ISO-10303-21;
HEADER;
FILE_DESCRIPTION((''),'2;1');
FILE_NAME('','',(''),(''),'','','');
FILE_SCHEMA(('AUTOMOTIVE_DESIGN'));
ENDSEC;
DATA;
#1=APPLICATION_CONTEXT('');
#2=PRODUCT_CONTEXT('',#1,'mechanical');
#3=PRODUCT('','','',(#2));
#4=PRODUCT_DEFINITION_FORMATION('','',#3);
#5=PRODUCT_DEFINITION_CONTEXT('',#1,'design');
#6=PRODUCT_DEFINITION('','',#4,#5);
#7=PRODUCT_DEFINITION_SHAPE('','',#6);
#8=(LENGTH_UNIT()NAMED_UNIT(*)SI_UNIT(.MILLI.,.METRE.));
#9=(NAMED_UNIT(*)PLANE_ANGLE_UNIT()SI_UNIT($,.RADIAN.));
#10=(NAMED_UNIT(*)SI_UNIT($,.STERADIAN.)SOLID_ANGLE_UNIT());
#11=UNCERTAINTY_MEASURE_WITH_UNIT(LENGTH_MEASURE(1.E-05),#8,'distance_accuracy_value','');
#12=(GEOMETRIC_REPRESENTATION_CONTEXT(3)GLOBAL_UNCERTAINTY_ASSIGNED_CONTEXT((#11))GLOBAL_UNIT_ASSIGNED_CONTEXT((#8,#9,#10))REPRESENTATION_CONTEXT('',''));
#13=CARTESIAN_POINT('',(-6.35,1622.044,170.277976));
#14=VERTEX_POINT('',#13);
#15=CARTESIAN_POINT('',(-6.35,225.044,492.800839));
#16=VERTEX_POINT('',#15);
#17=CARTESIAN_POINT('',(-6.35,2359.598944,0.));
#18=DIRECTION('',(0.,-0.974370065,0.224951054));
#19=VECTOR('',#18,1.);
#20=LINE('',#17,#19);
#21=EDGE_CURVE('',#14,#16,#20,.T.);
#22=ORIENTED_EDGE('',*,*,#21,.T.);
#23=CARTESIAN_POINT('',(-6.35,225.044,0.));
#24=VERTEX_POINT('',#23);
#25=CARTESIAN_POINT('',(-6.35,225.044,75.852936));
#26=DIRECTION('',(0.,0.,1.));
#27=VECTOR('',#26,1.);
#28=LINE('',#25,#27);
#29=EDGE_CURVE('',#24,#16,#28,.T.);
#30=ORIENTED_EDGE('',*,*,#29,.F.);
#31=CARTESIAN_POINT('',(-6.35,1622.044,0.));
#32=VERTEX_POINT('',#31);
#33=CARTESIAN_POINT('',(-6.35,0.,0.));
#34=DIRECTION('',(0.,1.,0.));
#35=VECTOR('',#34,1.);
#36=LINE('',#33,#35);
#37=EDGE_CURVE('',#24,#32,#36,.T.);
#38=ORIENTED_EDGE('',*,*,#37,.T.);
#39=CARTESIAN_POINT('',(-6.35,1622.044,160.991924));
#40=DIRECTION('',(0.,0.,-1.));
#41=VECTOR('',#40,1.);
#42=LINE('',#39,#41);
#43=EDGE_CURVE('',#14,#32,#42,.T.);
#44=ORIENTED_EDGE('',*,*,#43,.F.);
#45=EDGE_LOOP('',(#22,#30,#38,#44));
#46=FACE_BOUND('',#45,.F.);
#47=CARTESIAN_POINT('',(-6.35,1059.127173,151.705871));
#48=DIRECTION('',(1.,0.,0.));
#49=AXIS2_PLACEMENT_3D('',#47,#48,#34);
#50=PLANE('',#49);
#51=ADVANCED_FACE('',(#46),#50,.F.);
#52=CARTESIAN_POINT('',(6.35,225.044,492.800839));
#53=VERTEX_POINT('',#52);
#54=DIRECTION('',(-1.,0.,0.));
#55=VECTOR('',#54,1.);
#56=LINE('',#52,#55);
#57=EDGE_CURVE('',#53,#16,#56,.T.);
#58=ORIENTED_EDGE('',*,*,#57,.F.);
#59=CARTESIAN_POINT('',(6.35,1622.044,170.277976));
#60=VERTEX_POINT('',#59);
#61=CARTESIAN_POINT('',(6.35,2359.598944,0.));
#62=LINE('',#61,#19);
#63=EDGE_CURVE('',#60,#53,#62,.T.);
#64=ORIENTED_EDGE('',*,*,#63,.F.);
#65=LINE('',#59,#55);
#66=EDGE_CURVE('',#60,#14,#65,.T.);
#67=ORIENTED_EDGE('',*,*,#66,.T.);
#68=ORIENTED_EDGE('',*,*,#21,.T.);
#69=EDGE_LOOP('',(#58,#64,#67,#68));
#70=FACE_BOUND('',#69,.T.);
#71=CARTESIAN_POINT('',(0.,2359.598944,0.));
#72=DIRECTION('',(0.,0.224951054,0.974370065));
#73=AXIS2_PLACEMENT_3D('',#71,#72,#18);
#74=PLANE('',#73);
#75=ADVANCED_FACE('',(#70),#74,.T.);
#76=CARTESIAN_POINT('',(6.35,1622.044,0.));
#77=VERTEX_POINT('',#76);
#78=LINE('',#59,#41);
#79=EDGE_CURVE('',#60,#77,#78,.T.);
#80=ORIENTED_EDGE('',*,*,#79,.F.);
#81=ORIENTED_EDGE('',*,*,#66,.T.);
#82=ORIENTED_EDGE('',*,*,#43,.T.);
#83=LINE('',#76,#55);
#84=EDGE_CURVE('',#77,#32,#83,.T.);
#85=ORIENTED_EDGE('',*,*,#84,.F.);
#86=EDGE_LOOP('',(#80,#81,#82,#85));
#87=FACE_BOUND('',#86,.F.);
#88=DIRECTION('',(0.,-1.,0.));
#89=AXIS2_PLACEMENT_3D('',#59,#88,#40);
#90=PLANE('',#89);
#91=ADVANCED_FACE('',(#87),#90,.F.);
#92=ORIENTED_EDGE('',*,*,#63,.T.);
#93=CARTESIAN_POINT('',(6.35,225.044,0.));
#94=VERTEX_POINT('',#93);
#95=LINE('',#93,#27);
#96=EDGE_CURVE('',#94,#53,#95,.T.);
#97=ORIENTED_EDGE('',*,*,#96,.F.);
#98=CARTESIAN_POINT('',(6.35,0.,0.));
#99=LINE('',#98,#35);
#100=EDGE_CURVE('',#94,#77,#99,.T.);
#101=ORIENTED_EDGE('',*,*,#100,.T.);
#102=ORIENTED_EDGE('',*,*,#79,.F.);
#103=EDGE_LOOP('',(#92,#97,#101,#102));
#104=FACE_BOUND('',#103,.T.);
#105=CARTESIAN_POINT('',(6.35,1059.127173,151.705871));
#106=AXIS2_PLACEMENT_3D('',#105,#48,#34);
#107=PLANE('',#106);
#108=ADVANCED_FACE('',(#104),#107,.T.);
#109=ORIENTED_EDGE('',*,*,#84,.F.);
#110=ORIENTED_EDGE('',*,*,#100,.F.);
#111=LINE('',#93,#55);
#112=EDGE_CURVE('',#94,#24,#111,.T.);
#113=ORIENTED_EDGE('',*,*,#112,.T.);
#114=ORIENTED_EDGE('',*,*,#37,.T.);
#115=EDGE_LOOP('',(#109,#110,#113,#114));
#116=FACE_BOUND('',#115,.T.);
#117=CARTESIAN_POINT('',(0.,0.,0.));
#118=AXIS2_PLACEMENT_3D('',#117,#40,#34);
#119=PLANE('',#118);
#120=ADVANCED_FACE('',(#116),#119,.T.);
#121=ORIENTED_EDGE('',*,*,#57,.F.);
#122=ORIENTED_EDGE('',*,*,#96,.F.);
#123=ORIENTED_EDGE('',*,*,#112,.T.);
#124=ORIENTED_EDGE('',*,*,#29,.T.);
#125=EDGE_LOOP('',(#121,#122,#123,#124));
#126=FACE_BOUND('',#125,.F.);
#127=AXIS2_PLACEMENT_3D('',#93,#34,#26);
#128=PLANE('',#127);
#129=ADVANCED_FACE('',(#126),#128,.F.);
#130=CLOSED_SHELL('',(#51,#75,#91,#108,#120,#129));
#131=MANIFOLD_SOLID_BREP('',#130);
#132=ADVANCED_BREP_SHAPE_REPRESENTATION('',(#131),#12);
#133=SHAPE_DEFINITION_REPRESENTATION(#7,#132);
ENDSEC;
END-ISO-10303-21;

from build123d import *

# Parameters (mm, degrees)
F1_DEPTH = 6.35
F3_DEPTH = 12.701


with BuildPart() as f1:
    # F0 (on Right) → F1 (new body, symmetric)
    with BuildSketch(Plane.YZ):
        Polygon((0, 544.75634), (0, 0), (2359.598944, 0), align=None)
    extrude(amount=F1_DEPTH, both=True)

    # F2 (on face) → F3 (cut, through all)
    with BuildSketch(Plane.YZ.offset(6.35)):
        Polygon((0, 0), (225.044, 0), (225.044, 492.800839), (0, 544.75634), align=None)
        Polygon((1622.044, 170.277976), (1622.044, 0), (2359.598944, 0), align=None)
    extrude(amount=-F3_DEPTH, mode=Mode.SUBTRACT)


solid = f1.part
